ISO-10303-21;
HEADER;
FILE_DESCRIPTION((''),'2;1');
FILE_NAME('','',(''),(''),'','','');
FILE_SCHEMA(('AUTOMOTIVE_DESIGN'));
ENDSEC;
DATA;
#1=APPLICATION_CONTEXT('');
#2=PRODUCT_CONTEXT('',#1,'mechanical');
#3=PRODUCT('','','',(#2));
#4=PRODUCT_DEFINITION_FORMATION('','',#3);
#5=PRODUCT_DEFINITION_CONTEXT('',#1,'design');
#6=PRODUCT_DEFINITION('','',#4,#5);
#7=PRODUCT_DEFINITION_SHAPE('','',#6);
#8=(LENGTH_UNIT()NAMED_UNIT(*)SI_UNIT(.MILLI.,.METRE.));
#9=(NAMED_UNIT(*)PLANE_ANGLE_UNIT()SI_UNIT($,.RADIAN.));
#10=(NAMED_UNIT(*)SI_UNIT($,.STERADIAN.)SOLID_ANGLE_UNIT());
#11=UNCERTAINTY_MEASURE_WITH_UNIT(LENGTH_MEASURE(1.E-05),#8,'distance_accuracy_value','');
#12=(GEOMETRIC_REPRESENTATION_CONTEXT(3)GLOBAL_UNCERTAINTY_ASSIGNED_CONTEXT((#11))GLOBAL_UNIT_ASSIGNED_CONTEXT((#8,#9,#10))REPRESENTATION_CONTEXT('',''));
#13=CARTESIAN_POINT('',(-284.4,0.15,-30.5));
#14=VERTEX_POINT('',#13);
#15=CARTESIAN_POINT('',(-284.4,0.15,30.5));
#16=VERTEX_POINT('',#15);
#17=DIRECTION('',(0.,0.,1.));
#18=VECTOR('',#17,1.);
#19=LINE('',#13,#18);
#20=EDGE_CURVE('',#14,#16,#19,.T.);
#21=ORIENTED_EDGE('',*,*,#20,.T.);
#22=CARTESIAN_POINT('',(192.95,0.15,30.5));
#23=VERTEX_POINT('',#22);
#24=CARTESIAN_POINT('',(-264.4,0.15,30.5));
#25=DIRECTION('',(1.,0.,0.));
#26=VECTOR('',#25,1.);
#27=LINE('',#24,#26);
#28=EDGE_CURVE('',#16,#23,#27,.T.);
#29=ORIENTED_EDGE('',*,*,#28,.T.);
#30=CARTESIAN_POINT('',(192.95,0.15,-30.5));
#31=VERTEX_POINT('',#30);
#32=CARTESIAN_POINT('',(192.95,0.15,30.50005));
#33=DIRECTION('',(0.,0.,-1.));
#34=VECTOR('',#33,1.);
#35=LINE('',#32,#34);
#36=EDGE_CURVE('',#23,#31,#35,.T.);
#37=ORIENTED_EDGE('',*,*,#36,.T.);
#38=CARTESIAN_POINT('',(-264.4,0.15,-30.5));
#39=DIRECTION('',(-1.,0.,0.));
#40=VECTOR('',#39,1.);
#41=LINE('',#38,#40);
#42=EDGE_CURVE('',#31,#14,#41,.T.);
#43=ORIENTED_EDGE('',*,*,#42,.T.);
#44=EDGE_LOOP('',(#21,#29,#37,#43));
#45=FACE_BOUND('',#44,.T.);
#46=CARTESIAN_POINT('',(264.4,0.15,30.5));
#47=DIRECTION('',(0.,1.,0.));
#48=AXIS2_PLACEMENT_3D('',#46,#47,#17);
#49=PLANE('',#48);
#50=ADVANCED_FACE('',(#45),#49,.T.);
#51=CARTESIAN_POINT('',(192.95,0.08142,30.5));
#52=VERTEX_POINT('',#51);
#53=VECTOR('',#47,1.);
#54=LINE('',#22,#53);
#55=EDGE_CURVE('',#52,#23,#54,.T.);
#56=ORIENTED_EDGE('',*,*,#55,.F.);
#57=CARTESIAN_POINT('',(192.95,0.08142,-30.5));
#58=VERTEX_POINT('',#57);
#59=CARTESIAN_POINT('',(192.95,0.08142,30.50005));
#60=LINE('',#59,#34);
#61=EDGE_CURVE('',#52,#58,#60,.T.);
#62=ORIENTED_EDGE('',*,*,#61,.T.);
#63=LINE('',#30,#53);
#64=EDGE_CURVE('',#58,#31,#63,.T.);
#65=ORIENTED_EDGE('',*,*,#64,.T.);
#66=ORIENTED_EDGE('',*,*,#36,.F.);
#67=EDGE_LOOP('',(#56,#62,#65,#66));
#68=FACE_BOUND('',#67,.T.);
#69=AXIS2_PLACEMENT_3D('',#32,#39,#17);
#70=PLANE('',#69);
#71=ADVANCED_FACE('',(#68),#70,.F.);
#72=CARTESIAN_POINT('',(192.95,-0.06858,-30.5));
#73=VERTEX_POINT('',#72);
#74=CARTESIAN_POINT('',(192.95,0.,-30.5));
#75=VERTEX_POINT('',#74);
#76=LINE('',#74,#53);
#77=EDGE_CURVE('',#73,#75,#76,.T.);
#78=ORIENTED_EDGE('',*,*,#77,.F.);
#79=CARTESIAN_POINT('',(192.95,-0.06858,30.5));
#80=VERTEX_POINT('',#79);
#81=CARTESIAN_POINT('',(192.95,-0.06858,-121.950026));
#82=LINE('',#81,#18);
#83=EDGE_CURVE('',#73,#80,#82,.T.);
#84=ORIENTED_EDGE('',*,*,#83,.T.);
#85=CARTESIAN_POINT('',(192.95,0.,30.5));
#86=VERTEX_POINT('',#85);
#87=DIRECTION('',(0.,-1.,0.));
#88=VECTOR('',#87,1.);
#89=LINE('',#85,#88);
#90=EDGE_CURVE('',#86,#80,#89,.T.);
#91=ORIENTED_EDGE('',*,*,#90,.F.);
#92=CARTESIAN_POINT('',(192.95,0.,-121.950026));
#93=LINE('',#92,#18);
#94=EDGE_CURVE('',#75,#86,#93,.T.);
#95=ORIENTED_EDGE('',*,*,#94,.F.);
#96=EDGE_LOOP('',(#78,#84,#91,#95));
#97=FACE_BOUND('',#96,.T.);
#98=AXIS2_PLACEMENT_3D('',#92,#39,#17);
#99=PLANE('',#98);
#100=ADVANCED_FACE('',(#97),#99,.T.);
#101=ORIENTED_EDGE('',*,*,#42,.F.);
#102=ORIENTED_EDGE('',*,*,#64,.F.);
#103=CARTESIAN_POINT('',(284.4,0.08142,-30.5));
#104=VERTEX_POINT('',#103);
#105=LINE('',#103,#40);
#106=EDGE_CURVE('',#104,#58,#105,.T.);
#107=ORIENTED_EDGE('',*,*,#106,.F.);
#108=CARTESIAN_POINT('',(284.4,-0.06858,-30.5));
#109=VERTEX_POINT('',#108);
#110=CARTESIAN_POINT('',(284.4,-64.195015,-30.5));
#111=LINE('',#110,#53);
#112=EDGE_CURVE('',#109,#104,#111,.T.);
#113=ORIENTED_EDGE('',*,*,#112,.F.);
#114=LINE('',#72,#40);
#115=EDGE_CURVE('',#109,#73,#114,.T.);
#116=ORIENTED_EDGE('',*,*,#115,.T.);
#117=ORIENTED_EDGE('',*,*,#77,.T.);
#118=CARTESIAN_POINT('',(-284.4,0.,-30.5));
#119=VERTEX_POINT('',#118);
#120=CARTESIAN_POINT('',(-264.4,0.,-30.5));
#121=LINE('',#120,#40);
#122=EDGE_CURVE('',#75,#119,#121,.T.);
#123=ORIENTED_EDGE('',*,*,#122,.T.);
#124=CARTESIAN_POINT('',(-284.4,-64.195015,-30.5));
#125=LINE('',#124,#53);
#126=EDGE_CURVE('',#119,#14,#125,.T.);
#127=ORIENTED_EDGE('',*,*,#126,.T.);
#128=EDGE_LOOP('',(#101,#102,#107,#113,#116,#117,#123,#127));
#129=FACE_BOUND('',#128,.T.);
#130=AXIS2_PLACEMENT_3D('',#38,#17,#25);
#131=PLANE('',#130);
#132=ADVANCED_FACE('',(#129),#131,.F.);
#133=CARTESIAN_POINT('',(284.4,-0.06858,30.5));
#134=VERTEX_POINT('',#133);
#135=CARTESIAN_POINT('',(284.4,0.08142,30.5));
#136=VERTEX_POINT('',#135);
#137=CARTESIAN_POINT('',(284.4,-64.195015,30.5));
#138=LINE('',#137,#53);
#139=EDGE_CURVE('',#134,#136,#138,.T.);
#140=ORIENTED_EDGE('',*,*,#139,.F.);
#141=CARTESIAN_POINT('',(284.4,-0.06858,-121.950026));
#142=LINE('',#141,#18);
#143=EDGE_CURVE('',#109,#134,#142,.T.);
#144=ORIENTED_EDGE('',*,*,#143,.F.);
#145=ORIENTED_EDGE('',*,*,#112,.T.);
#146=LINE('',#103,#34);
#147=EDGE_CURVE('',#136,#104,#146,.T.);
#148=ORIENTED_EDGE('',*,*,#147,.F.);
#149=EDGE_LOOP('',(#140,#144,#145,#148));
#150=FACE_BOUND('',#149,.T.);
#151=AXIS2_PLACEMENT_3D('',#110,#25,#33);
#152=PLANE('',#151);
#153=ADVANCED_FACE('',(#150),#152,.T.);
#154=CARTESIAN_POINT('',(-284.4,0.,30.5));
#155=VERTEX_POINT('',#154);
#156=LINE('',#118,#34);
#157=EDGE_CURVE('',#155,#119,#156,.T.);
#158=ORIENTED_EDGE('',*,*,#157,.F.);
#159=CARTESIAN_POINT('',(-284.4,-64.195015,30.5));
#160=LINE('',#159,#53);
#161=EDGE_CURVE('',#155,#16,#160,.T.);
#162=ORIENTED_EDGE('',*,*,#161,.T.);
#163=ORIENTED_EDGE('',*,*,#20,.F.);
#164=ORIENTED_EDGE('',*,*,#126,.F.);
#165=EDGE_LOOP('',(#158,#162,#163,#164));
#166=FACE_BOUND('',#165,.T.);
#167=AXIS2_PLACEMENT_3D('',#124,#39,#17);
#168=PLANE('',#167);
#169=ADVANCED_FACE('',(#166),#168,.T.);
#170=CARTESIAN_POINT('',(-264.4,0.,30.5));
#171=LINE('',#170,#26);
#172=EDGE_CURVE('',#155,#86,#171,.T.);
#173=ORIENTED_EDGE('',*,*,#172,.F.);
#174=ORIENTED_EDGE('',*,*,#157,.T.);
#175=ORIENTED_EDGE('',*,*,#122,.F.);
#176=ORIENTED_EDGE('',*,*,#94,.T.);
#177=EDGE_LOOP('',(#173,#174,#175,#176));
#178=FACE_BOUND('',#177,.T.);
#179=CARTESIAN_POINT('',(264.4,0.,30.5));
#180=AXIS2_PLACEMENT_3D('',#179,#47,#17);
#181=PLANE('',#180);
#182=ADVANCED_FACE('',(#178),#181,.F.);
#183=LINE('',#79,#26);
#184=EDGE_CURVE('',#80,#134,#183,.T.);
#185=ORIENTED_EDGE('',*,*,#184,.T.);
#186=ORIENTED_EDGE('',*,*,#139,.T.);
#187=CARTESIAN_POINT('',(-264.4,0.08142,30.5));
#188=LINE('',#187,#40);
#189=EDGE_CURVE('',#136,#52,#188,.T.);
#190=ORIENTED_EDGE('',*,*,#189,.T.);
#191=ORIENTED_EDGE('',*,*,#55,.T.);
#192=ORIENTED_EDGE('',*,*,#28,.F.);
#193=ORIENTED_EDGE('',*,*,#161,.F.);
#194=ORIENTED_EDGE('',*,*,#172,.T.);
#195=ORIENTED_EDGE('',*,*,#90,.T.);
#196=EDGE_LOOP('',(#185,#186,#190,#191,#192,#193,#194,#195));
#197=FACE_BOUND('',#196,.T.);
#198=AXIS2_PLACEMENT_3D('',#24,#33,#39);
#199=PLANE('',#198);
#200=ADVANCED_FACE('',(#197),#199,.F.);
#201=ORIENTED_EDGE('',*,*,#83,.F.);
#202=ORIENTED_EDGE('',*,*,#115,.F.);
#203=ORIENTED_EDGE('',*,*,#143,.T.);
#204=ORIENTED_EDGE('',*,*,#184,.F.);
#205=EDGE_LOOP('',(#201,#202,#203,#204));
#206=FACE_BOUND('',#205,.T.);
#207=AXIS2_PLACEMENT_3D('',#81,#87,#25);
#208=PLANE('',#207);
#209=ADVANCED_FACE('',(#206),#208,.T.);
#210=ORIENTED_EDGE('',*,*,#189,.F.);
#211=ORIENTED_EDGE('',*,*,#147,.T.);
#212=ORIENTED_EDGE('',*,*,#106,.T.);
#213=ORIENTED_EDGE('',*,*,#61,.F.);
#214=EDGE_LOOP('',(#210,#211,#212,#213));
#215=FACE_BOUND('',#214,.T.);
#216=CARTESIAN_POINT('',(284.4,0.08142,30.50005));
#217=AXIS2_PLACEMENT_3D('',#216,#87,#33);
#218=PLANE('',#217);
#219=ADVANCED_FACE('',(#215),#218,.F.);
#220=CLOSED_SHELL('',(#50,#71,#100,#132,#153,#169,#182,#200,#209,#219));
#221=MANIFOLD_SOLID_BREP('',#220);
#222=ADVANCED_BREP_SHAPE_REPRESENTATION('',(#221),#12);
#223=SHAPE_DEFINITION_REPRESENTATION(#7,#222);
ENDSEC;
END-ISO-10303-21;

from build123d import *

# Parameters (mm, degrees)
SKETCH1_W           = 528.8
SKETCH1_H           = 61
EXTRUDE1_DEPTH      = 0.15
SKETCH3_W           = 20
SKETCH3_H           = 61
BOSS_EXTRUDE2_DEPTH = 0.15
SKETCH4_W           = 91.45
SKETCH4_H           = 0.06858
BOSS_EXTRUDE3_DEPTH = 61
SKETCH5_W           = 91.45
SKETCH5_H           = 0.06858
CUT_EXTRUDE1_DEPTH  = 62


with BuildPart() as part:
    # Sketch1 → Extrude1 (new body)
    with BuildSketch(Plane(origin=(0, 0, 0), x_dir=(1, 0, 0), z_dir=(0, 1, 0))):
        Rectangle(SKETCH1_W, SKETCH1_H)
    extrude(amount=EXTRUDE1_DEPTH)

    # Sketch3 → Boss-Extrude2 (add)
    with BuildSketch(Plane(origin=(0, 0.15, 0), x_dir=(1, 0, 0), z_dir=(0, 1, 0))):
        with Locations((-274.4, 0)):
            Rectangle(SKETCH3_W, SKETCH3_H)
        with Locations((274.4, 0)):
            Rectangle(SKETCH3_W, SKETCH3_H)
    extrude(amount=-BOSS_EXTRUDE2_DEPTH)

    # Sketch4 → Boss-Extrude3 (add)
    with BuildSketch(Plane.XY.offset(30.5)):
        with Locations((238.675, -0.03429)):
            Rectangle(SKETCH4_W, SKETCH4_H)
    extrude(amount=-BOSS_EXTRUDE3_DEPTH)

    # Sketch5 → Cut-Extrude1 (cut, through all)
    with BuildSketch(Plane(origin=(0, 0, -30.5), x_dir=(-1, 0, 0), z_dir=(0, 0, -1))):
        with Locations((-238.675, 0.11571)):
            Rectangle(SKETCH5_W, SKETCH5_H)
    extrude(amount=-CUT_EXTRUDE1_DEPTH, mode=Mode.SUBTRACT)


solid = part.part
